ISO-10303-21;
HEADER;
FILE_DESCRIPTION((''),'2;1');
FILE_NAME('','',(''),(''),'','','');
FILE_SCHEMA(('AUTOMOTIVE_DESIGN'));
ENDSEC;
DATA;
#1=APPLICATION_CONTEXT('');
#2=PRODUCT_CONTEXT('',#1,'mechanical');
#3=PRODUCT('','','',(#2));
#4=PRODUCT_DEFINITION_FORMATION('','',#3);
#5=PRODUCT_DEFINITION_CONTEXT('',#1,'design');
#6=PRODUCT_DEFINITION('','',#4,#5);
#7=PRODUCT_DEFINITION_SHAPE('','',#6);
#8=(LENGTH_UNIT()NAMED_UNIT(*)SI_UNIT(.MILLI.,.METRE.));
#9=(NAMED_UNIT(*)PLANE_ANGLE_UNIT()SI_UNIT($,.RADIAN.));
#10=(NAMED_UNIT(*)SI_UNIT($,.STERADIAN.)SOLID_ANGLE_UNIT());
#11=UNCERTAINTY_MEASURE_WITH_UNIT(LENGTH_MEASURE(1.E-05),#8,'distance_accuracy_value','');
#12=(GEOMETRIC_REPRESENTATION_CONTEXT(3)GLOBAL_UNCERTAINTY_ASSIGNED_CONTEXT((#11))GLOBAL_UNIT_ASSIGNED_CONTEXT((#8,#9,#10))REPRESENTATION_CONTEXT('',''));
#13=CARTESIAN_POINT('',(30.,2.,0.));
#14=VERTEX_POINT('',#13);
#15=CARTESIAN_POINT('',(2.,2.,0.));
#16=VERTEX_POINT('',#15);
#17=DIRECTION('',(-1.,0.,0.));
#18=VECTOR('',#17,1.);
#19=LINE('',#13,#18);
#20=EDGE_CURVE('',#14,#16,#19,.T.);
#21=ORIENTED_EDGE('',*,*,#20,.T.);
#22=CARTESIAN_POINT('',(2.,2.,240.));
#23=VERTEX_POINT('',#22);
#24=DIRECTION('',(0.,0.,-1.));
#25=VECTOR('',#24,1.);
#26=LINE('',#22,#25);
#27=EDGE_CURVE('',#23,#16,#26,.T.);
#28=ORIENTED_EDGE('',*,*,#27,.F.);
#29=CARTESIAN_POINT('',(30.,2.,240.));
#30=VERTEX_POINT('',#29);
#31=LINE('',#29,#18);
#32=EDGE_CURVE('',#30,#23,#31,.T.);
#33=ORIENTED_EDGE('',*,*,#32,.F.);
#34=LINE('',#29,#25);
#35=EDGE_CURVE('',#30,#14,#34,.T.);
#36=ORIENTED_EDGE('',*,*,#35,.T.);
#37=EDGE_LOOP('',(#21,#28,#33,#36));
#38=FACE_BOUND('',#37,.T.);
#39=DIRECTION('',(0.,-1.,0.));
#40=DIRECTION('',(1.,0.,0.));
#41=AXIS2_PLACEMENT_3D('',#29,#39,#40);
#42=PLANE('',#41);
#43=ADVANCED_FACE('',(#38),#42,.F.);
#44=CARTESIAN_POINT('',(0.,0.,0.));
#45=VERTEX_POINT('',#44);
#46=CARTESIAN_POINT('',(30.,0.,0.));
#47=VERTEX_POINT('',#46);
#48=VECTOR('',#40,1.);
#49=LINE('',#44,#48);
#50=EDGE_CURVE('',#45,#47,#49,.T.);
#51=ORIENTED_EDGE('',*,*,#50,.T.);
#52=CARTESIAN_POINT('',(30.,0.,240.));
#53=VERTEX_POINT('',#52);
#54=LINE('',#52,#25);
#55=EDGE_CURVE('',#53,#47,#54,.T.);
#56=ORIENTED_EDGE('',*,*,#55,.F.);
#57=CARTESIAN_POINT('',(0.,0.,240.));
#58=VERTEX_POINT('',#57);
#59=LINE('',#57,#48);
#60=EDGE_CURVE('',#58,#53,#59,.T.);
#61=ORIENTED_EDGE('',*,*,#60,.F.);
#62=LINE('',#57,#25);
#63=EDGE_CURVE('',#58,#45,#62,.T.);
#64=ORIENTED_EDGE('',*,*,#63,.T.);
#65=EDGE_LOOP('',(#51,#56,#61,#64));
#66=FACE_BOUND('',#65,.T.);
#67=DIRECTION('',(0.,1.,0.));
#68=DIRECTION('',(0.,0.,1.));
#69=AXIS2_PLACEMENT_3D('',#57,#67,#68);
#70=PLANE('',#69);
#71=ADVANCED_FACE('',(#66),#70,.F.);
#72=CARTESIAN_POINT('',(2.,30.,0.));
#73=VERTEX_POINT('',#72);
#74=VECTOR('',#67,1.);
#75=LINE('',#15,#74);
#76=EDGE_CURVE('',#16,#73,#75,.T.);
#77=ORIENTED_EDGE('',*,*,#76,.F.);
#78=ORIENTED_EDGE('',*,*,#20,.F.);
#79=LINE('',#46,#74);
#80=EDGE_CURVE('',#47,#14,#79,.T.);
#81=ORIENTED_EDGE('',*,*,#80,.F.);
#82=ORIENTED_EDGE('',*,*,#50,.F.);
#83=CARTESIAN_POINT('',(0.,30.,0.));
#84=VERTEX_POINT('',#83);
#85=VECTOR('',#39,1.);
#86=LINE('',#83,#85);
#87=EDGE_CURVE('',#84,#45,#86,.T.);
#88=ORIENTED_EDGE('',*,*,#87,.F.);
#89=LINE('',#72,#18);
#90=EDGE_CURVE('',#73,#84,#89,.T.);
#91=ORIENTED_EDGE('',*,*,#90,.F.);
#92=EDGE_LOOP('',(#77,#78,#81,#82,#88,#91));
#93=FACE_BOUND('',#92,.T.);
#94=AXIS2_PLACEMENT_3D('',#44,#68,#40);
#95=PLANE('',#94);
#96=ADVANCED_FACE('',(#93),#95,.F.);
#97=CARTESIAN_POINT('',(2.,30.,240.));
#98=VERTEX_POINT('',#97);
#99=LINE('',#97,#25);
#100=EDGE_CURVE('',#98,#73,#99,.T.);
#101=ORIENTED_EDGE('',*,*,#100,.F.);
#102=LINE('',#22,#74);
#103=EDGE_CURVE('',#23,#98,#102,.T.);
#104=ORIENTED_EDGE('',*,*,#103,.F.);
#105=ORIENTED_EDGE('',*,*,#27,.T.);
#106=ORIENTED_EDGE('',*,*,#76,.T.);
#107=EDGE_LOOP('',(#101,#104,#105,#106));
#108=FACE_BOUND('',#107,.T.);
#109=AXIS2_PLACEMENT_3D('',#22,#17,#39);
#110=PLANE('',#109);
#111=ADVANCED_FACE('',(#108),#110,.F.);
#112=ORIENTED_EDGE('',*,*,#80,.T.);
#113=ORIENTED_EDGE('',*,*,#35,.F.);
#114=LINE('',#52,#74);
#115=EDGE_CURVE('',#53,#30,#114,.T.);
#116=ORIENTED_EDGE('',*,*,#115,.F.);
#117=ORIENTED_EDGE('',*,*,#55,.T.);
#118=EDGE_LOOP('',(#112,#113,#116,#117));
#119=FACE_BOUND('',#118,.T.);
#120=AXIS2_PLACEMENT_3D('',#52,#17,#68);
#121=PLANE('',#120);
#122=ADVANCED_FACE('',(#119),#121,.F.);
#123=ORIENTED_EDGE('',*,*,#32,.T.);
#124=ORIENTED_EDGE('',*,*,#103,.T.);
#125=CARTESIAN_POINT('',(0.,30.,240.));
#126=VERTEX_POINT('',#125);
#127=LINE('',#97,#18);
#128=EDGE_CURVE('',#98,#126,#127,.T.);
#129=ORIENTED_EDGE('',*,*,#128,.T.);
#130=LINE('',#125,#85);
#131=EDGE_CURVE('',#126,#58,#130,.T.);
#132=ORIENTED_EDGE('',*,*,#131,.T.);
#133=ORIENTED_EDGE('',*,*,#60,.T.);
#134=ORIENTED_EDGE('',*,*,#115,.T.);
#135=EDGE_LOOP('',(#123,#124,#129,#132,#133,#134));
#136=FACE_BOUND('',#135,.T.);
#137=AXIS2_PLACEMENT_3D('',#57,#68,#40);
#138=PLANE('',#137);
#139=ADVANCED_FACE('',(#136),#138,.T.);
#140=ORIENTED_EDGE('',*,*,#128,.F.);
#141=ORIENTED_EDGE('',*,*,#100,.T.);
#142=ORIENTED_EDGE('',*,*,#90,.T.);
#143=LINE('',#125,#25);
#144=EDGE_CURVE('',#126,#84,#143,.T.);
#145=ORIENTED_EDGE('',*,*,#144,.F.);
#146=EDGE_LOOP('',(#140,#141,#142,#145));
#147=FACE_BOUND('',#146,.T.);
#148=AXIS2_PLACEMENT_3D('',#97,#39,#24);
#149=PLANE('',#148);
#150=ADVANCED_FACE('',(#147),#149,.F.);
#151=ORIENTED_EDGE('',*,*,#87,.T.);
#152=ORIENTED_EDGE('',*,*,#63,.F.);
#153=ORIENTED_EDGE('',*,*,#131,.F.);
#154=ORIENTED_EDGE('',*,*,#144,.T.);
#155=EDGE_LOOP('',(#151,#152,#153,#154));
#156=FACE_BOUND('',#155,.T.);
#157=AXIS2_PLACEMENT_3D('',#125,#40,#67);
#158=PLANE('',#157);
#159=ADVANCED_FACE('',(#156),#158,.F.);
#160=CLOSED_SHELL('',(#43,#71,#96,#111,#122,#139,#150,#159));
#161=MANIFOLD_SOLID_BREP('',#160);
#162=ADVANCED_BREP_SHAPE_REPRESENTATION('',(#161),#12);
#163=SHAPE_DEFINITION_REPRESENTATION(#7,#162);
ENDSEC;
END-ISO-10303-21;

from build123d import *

# Parameters (mm, degrees)
EXTRUDE_1_DEPTH = 240


with BuildPart() as part:
    # Эскиз1 → Бобышка-Вытянуть1 (new body)
    with BuildSketch(Plane.XY):
        Polygon((0, 0), (30, 0), (30, 2), (2, 2), (2, 30), (0, 30), align=None)
    extrude(amount=EXTRUDE_1_DEPTH)


solid = part.part
